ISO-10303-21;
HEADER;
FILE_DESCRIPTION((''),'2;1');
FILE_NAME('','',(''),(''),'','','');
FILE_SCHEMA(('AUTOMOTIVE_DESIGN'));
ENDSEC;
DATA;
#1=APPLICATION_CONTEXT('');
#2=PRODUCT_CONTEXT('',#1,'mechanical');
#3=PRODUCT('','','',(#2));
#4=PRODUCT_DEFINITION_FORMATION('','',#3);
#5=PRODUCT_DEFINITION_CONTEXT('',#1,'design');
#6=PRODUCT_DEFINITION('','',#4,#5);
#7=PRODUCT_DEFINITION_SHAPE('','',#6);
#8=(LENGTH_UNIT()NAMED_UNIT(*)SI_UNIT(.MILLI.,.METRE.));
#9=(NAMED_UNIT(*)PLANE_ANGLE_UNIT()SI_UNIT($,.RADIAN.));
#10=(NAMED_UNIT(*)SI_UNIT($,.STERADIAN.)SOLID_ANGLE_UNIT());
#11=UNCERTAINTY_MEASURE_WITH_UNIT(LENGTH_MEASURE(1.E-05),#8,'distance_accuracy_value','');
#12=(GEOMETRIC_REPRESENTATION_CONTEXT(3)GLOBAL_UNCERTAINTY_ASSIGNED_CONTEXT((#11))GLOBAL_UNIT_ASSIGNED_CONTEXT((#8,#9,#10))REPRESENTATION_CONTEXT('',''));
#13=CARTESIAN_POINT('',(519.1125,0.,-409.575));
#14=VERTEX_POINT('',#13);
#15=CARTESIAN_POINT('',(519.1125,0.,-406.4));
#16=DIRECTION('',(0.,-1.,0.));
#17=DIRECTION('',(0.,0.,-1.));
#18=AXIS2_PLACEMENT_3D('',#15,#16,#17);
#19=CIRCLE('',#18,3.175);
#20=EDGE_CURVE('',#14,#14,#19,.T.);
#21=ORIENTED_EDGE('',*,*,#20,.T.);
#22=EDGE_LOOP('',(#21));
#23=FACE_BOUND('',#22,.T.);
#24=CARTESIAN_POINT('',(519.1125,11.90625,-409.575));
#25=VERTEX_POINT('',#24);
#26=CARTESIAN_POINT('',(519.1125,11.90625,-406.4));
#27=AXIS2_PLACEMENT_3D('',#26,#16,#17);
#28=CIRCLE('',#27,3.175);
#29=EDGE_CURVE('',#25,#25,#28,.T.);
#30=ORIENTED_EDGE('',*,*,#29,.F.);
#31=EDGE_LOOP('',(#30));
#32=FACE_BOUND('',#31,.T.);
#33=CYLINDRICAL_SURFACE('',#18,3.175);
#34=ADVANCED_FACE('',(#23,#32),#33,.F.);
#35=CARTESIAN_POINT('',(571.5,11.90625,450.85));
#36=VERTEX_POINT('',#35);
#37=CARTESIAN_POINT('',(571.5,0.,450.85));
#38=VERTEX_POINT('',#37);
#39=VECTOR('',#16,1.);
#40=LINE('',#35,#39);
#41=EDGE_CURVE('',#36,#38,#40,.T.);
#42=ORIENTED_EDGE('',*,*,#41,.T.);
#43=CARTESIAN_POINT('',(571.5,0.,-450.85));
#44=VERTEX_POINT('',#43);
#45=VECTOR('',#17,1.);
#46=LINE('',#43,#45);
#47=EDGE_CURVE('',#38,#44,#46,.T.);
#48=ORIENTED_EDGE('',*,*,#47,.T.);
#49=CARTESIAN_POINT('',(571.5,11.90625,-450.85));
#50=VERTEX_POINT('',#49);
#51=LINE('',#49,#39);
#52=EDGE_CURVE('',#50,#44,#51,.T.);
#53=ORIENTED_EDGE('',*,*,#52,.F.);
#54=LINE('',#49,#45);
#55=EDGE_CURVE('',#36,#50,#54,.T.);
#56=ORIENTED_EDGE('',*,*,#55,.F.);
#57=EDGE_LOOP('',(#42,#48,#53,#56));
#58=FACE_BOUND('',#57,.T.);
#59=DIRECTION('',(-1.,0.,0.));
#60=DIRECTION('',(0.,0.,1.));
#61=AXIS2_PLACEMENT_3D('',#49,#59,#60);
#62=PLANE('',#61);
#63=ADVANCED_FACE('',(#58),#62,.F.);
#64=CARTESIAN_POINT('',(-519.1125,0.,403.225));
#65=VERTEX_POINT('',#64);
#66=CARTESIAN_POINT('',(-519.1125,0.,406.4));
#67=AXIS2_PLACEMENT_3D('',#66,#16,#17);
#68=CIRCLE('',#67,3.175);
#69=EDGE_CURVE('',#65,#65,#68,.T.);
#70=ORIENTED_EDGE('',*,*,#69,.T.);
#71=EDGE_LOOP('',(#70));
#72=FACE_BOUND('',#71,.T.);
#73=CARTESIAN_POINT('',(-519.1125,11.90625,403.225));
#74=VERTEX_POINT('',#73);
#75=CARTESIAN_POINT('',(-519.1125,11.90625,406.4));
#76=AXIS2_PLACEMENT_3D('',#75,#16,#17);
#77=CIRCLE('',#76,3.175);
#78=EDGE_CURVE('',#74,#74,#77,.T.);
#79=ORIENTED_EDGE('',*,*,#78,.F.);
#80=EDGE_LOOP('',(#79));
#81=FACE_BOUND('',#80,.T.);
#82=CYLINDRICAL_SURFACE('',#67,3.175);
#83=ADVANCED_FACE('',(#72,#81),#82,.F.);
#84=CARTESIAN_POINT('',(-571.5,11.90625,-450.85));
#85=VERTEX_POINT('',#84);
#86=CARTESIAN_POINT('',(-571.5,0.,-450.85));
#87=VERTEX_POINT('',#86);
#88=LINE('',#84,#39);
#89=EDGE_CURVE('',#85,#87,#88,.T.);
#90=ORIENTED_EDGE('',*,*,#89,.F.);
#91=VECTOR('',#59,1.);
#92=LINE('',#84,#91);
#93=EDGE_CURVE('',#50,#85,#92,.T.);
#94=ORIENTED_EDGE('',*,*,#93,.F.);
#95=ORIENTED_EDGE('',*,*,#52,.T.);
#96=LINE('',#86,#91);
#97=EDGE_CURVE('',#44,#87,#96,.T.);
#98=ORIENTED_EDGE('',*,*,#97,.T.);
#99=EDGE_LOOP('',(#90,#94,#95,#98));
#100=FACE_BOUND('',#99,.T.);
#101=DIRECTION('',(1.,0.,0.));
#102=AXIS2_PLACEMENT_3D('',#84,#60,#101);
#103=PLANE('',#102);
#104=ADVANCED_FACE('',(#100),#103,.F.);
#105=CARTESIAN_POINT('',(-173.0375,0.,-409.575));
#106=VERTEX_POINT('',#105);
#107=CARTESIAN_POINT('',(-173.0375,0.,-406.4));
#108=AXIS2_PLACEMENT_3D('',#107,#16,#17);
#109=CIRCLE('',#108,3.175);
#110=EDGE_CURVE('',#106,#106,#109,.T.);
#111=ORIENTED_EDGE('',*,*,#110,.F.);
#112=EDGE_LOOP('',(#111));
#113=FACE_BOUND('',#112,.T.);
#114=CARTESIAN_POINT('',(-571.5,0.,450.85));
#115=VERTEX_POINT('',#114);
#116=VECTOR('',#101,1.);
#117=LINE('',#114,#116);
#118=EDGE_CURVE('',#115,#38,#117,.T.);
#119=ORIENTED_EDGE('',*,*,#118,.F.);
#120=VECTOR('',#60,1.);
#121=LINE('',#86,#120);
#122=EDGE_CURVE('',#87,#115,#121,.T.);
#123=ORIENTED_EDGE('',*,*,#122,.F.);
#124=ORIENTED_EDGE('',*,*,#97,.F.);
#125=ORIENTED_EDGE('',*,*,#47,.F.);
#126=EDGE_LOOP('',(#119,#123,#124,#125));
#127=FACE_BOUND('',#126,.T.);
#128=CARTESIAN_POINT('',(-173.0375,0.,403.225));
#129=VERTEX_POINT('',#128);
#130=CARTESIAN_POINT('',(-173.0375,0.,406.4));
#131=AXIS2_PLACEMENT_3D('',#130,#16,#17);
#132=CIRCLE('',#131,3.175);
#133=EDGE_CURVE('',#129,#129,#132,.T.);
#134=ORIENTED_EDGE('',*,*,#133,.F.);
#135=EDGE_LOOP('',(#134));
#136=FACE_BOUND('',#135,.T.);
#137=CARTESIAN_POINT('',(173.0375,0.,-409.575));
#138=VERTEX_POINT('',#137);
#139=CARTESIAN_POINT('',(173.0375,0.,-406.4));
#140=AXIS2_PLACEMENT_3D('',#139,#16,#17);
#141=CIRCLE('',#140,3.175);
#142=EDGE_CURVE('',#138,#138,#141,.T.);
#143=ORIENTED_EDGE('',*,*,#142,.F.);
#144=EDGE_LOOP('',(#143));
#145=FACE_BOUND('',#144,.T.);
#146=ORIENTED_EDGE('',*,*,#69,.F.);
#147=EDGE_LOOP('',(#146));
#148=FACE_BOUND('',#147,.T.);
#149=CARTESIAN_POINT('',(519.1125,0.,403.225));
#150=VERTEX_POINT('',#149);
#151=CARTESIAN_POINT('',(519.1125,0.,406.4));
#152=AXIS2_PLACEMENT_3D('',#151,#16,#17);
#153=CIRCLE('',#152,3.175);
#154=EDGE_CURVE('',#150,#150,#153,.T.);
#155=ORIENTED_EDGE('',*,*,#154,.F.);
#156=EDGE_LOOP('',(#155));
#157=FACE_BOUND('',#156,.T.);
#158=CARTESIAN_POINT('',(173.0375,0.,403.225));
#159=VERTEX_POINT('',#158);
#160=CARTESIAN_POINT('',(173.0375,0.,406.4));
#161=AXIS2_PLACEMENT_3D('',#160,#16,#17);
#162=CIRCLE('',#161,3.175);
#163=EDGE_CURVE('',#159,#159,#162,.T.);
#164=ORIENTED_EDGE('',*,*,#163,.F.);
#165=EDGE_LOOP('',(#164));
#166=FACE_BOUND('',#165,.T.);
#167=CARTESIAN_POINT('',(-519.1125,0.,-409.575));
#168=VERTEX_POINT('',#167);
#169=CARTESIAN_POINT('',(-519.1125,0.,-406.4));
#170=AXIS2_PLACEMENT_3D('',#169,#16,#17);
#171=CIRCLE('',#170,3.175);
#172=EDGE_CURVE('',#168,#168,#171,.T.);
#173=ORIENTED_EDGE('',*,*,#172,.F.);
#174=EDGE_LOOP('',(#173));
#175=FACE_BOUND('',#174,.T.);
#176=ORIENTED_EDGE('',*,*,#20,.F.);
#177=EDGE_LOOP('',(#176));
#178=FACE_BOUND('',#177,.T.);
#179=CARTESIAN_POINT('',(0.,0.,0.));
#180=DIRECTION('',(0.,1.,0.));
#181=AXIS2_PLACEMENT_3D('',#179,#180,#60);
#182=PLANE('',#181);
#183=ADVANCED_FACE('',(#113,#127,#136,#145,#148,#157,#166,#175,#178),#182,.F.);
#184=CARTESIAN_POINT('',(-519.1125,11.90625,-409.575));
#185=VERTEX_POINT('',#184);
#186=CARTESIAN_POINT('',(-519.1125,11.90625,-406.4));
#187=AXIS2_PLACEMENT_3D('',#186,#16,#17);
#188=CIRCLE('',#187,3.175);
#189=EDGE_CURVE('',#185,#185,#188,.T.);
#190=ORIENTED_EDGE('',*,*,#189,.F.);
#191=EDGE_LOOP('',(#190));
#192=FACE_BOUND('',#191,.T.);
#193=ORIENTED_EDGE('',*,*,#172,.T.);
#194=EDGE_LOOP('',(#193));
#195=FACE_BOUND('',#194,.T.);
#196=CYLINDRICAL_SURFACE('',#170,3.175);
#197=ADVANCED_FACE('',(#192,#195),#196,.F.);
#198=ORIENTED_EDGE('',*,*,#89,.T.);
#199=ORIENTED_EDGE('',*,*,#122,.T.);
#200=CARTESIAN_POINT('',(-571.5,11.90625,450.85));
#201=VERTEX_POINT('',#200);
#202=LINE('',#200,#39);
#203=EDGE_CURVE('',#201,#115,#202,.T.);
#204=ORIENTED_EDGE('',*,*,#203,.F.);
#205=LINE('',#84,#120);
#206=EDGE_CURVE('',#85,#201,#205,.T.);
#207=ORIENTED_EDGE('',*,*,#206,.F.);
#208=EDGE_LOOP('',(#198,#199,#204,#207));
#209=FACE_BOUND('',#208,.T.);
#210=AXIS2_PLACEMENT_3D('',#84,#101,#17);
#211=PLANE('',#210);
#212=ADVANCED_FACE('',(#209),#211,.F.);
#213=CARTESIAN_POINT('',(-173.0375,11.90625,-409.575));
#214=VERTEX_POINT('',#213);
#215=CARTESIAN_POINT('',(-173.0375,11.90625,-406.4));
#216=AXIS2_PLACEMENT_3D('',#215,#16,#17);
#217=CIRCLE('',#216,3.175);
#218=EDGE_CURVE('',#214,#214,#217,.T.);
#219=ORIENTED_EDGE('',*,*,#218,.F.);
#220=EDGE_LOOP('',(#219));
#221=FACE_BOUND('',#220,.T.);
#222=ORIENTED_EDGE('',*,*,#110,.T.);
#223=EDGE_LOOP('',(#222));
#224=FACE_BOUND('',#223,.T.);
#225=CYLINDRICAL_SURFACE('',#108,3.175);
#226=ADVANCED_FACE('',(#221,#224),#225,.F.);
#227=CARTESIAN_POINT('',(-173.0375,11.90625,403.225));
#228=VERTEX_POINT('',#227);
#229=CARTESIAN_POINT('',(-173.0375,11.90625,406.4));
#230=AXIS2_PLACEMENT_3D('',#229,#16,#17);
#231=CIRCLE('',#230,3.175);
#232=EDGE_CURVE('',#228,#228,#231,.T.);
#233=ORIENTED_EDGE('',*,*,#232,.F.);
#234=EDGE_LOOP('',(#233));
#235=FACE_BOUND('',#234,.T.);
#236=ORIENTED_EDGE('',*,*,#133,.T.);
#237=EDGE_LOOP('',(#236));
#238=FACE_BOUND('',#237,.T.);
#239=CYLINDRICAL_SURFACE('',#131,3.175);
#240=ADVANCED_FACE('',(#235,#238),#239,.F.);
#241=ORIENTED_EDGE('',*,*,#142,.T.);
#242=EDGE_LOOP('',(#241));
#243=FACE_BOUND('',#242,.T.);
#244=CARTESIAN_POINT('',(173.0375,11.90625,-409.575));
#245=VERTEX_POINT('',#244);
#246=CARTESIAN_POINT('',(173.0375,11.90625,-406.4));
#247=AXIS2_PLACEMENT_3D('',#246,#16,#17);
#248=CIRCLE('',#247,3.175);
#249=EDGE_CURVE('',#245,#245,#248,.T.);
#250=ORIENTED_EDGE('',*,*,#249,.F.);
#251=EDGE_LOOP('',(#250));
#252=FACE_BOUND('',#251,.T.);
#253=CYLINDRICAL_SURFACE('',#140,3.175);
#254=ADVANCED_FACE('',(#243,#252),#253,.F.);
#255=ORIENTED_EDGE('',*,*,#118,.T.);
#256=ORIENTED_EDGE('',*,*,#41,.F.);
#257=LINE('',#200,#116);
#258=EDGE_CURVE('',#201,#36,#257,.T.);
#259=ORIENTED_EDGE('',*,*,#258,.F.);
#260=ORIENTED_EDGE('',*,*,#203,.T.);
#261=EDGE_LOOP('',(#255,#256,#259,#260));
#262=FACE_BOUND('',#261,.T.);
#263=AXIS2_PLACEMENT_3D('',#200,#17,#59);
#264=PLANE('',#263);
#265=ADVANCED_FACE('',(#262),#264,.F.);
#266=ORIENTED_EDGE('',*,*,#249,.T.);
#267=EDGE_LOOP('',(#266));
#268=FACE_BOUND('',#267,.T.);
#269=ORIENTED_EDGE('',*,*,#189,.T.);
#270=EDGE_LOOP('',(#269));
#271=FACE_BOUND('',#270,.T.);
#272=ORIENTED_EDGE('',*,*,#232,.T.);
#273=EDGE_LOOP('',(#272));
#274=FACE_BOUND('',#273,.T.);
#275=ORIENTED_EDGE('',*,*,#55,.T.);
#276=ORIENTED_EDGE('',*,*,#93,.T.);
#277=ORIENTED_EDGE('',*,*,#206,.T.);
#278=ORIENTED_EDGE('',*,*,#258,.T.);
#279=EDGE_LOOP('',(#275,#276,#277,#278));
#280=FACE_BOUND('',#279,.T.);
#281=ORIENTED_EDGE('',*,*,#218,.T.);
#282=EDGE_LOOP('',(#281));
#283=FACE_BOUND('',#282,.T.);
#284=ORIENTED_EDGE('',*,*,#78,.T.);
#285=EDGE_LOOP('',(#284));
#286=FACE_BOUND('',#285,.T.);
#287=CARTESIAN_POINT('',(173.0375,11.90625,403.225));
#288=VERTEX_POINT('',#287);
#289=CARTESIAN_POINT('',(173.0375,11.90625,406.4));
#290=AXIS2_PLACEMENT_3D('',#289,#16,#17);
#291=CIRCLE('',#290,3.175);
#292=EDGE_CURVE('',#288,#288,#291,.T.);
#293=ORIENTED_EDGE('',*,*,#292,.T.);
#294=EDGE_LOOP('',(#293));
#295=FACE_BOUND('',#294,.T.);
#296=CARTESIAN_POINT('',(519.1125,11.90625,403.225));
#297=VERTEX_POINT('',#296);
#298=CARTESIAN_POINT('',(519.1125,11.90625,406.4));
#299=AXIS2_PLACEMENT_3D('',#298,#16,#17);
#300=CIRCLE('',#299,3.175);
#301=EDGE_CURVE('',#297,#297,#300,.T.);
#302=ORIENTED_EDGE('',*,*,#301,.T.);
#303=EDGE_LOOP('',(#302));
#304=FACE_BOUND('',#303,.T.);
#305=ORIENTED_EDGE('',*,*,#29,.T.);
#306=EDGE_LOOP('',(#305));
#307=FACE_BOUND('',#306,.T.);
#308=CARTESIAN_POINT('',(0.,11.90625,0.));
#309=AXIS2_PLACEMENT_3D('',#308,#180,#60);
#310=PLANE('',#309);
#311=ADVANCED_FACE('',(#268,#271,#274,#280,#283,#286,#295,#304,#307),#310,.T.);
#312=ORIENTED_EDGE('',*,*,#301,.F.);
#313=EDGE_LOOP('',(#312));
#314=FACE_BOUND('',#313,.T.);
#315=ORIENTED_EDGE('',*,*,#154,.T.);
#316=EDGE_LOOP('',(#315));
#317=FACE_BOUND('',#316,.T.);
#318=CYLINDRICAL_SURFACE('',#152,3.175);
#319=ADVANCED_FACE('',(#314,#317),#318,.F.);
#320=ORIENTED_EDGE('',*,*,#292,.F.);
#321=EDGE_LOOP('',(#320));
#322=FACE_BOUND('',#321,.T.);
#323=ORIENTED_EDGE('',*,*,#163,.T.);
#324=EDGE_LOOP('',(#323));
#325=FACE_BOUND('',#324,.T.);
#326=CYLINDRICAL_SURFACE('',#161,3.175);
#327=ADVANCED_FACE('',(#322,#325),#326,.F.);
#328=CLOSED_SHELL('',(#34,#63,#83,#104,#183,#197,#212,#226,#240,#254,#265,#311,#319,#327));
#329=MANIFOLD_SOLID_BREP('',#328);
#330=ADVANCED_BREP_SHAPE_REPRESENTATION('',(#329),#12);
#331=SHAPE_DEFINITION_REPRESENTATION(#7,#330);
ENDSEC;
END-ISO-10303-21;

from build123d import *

# Parameters (mm, degrees)
SKETCH1_W                   = 1143
SKETCH1_H                   = 901.7
BOSS_EXTRUDE1_DEPTH         = 11.90625
F_1_4_0_25_DIAMETER_HOLE1_D = 6.35


with BuildPart() as part:
    # Sketch1 → Boss-Extrude1 (new body)
    with BuildSketch(Plane(origin=(0, 0, 0), x_dir=(1, 0, 0), z_dir=(0, 1, 0))):
        Rectangle(SKETCH1_W, SKETCH1_H)
    extrude(amount=BOSS_EXTRUDE1_DEPTH)

    # 1/4 (0.25) Diameter Hole1 (through all)
    with Locations(Plane(origin=(0, 0, 0), x_dir=(-1, 0, 0), z_dir=(0, -1, 0))):
        with Locations((519.1125, -406.4), (173.0375, -406.4), (-173.0375, -406.4), (-519.1125, -406.4), (173.0375, 406.4), (-173.0375, 406.4), (-519.1125, 406.4), (519.1125, 406.4)):
            Hole(F_1_4_0_25_DIAMETER_HOLE1_D / 2)


solid = part.part
